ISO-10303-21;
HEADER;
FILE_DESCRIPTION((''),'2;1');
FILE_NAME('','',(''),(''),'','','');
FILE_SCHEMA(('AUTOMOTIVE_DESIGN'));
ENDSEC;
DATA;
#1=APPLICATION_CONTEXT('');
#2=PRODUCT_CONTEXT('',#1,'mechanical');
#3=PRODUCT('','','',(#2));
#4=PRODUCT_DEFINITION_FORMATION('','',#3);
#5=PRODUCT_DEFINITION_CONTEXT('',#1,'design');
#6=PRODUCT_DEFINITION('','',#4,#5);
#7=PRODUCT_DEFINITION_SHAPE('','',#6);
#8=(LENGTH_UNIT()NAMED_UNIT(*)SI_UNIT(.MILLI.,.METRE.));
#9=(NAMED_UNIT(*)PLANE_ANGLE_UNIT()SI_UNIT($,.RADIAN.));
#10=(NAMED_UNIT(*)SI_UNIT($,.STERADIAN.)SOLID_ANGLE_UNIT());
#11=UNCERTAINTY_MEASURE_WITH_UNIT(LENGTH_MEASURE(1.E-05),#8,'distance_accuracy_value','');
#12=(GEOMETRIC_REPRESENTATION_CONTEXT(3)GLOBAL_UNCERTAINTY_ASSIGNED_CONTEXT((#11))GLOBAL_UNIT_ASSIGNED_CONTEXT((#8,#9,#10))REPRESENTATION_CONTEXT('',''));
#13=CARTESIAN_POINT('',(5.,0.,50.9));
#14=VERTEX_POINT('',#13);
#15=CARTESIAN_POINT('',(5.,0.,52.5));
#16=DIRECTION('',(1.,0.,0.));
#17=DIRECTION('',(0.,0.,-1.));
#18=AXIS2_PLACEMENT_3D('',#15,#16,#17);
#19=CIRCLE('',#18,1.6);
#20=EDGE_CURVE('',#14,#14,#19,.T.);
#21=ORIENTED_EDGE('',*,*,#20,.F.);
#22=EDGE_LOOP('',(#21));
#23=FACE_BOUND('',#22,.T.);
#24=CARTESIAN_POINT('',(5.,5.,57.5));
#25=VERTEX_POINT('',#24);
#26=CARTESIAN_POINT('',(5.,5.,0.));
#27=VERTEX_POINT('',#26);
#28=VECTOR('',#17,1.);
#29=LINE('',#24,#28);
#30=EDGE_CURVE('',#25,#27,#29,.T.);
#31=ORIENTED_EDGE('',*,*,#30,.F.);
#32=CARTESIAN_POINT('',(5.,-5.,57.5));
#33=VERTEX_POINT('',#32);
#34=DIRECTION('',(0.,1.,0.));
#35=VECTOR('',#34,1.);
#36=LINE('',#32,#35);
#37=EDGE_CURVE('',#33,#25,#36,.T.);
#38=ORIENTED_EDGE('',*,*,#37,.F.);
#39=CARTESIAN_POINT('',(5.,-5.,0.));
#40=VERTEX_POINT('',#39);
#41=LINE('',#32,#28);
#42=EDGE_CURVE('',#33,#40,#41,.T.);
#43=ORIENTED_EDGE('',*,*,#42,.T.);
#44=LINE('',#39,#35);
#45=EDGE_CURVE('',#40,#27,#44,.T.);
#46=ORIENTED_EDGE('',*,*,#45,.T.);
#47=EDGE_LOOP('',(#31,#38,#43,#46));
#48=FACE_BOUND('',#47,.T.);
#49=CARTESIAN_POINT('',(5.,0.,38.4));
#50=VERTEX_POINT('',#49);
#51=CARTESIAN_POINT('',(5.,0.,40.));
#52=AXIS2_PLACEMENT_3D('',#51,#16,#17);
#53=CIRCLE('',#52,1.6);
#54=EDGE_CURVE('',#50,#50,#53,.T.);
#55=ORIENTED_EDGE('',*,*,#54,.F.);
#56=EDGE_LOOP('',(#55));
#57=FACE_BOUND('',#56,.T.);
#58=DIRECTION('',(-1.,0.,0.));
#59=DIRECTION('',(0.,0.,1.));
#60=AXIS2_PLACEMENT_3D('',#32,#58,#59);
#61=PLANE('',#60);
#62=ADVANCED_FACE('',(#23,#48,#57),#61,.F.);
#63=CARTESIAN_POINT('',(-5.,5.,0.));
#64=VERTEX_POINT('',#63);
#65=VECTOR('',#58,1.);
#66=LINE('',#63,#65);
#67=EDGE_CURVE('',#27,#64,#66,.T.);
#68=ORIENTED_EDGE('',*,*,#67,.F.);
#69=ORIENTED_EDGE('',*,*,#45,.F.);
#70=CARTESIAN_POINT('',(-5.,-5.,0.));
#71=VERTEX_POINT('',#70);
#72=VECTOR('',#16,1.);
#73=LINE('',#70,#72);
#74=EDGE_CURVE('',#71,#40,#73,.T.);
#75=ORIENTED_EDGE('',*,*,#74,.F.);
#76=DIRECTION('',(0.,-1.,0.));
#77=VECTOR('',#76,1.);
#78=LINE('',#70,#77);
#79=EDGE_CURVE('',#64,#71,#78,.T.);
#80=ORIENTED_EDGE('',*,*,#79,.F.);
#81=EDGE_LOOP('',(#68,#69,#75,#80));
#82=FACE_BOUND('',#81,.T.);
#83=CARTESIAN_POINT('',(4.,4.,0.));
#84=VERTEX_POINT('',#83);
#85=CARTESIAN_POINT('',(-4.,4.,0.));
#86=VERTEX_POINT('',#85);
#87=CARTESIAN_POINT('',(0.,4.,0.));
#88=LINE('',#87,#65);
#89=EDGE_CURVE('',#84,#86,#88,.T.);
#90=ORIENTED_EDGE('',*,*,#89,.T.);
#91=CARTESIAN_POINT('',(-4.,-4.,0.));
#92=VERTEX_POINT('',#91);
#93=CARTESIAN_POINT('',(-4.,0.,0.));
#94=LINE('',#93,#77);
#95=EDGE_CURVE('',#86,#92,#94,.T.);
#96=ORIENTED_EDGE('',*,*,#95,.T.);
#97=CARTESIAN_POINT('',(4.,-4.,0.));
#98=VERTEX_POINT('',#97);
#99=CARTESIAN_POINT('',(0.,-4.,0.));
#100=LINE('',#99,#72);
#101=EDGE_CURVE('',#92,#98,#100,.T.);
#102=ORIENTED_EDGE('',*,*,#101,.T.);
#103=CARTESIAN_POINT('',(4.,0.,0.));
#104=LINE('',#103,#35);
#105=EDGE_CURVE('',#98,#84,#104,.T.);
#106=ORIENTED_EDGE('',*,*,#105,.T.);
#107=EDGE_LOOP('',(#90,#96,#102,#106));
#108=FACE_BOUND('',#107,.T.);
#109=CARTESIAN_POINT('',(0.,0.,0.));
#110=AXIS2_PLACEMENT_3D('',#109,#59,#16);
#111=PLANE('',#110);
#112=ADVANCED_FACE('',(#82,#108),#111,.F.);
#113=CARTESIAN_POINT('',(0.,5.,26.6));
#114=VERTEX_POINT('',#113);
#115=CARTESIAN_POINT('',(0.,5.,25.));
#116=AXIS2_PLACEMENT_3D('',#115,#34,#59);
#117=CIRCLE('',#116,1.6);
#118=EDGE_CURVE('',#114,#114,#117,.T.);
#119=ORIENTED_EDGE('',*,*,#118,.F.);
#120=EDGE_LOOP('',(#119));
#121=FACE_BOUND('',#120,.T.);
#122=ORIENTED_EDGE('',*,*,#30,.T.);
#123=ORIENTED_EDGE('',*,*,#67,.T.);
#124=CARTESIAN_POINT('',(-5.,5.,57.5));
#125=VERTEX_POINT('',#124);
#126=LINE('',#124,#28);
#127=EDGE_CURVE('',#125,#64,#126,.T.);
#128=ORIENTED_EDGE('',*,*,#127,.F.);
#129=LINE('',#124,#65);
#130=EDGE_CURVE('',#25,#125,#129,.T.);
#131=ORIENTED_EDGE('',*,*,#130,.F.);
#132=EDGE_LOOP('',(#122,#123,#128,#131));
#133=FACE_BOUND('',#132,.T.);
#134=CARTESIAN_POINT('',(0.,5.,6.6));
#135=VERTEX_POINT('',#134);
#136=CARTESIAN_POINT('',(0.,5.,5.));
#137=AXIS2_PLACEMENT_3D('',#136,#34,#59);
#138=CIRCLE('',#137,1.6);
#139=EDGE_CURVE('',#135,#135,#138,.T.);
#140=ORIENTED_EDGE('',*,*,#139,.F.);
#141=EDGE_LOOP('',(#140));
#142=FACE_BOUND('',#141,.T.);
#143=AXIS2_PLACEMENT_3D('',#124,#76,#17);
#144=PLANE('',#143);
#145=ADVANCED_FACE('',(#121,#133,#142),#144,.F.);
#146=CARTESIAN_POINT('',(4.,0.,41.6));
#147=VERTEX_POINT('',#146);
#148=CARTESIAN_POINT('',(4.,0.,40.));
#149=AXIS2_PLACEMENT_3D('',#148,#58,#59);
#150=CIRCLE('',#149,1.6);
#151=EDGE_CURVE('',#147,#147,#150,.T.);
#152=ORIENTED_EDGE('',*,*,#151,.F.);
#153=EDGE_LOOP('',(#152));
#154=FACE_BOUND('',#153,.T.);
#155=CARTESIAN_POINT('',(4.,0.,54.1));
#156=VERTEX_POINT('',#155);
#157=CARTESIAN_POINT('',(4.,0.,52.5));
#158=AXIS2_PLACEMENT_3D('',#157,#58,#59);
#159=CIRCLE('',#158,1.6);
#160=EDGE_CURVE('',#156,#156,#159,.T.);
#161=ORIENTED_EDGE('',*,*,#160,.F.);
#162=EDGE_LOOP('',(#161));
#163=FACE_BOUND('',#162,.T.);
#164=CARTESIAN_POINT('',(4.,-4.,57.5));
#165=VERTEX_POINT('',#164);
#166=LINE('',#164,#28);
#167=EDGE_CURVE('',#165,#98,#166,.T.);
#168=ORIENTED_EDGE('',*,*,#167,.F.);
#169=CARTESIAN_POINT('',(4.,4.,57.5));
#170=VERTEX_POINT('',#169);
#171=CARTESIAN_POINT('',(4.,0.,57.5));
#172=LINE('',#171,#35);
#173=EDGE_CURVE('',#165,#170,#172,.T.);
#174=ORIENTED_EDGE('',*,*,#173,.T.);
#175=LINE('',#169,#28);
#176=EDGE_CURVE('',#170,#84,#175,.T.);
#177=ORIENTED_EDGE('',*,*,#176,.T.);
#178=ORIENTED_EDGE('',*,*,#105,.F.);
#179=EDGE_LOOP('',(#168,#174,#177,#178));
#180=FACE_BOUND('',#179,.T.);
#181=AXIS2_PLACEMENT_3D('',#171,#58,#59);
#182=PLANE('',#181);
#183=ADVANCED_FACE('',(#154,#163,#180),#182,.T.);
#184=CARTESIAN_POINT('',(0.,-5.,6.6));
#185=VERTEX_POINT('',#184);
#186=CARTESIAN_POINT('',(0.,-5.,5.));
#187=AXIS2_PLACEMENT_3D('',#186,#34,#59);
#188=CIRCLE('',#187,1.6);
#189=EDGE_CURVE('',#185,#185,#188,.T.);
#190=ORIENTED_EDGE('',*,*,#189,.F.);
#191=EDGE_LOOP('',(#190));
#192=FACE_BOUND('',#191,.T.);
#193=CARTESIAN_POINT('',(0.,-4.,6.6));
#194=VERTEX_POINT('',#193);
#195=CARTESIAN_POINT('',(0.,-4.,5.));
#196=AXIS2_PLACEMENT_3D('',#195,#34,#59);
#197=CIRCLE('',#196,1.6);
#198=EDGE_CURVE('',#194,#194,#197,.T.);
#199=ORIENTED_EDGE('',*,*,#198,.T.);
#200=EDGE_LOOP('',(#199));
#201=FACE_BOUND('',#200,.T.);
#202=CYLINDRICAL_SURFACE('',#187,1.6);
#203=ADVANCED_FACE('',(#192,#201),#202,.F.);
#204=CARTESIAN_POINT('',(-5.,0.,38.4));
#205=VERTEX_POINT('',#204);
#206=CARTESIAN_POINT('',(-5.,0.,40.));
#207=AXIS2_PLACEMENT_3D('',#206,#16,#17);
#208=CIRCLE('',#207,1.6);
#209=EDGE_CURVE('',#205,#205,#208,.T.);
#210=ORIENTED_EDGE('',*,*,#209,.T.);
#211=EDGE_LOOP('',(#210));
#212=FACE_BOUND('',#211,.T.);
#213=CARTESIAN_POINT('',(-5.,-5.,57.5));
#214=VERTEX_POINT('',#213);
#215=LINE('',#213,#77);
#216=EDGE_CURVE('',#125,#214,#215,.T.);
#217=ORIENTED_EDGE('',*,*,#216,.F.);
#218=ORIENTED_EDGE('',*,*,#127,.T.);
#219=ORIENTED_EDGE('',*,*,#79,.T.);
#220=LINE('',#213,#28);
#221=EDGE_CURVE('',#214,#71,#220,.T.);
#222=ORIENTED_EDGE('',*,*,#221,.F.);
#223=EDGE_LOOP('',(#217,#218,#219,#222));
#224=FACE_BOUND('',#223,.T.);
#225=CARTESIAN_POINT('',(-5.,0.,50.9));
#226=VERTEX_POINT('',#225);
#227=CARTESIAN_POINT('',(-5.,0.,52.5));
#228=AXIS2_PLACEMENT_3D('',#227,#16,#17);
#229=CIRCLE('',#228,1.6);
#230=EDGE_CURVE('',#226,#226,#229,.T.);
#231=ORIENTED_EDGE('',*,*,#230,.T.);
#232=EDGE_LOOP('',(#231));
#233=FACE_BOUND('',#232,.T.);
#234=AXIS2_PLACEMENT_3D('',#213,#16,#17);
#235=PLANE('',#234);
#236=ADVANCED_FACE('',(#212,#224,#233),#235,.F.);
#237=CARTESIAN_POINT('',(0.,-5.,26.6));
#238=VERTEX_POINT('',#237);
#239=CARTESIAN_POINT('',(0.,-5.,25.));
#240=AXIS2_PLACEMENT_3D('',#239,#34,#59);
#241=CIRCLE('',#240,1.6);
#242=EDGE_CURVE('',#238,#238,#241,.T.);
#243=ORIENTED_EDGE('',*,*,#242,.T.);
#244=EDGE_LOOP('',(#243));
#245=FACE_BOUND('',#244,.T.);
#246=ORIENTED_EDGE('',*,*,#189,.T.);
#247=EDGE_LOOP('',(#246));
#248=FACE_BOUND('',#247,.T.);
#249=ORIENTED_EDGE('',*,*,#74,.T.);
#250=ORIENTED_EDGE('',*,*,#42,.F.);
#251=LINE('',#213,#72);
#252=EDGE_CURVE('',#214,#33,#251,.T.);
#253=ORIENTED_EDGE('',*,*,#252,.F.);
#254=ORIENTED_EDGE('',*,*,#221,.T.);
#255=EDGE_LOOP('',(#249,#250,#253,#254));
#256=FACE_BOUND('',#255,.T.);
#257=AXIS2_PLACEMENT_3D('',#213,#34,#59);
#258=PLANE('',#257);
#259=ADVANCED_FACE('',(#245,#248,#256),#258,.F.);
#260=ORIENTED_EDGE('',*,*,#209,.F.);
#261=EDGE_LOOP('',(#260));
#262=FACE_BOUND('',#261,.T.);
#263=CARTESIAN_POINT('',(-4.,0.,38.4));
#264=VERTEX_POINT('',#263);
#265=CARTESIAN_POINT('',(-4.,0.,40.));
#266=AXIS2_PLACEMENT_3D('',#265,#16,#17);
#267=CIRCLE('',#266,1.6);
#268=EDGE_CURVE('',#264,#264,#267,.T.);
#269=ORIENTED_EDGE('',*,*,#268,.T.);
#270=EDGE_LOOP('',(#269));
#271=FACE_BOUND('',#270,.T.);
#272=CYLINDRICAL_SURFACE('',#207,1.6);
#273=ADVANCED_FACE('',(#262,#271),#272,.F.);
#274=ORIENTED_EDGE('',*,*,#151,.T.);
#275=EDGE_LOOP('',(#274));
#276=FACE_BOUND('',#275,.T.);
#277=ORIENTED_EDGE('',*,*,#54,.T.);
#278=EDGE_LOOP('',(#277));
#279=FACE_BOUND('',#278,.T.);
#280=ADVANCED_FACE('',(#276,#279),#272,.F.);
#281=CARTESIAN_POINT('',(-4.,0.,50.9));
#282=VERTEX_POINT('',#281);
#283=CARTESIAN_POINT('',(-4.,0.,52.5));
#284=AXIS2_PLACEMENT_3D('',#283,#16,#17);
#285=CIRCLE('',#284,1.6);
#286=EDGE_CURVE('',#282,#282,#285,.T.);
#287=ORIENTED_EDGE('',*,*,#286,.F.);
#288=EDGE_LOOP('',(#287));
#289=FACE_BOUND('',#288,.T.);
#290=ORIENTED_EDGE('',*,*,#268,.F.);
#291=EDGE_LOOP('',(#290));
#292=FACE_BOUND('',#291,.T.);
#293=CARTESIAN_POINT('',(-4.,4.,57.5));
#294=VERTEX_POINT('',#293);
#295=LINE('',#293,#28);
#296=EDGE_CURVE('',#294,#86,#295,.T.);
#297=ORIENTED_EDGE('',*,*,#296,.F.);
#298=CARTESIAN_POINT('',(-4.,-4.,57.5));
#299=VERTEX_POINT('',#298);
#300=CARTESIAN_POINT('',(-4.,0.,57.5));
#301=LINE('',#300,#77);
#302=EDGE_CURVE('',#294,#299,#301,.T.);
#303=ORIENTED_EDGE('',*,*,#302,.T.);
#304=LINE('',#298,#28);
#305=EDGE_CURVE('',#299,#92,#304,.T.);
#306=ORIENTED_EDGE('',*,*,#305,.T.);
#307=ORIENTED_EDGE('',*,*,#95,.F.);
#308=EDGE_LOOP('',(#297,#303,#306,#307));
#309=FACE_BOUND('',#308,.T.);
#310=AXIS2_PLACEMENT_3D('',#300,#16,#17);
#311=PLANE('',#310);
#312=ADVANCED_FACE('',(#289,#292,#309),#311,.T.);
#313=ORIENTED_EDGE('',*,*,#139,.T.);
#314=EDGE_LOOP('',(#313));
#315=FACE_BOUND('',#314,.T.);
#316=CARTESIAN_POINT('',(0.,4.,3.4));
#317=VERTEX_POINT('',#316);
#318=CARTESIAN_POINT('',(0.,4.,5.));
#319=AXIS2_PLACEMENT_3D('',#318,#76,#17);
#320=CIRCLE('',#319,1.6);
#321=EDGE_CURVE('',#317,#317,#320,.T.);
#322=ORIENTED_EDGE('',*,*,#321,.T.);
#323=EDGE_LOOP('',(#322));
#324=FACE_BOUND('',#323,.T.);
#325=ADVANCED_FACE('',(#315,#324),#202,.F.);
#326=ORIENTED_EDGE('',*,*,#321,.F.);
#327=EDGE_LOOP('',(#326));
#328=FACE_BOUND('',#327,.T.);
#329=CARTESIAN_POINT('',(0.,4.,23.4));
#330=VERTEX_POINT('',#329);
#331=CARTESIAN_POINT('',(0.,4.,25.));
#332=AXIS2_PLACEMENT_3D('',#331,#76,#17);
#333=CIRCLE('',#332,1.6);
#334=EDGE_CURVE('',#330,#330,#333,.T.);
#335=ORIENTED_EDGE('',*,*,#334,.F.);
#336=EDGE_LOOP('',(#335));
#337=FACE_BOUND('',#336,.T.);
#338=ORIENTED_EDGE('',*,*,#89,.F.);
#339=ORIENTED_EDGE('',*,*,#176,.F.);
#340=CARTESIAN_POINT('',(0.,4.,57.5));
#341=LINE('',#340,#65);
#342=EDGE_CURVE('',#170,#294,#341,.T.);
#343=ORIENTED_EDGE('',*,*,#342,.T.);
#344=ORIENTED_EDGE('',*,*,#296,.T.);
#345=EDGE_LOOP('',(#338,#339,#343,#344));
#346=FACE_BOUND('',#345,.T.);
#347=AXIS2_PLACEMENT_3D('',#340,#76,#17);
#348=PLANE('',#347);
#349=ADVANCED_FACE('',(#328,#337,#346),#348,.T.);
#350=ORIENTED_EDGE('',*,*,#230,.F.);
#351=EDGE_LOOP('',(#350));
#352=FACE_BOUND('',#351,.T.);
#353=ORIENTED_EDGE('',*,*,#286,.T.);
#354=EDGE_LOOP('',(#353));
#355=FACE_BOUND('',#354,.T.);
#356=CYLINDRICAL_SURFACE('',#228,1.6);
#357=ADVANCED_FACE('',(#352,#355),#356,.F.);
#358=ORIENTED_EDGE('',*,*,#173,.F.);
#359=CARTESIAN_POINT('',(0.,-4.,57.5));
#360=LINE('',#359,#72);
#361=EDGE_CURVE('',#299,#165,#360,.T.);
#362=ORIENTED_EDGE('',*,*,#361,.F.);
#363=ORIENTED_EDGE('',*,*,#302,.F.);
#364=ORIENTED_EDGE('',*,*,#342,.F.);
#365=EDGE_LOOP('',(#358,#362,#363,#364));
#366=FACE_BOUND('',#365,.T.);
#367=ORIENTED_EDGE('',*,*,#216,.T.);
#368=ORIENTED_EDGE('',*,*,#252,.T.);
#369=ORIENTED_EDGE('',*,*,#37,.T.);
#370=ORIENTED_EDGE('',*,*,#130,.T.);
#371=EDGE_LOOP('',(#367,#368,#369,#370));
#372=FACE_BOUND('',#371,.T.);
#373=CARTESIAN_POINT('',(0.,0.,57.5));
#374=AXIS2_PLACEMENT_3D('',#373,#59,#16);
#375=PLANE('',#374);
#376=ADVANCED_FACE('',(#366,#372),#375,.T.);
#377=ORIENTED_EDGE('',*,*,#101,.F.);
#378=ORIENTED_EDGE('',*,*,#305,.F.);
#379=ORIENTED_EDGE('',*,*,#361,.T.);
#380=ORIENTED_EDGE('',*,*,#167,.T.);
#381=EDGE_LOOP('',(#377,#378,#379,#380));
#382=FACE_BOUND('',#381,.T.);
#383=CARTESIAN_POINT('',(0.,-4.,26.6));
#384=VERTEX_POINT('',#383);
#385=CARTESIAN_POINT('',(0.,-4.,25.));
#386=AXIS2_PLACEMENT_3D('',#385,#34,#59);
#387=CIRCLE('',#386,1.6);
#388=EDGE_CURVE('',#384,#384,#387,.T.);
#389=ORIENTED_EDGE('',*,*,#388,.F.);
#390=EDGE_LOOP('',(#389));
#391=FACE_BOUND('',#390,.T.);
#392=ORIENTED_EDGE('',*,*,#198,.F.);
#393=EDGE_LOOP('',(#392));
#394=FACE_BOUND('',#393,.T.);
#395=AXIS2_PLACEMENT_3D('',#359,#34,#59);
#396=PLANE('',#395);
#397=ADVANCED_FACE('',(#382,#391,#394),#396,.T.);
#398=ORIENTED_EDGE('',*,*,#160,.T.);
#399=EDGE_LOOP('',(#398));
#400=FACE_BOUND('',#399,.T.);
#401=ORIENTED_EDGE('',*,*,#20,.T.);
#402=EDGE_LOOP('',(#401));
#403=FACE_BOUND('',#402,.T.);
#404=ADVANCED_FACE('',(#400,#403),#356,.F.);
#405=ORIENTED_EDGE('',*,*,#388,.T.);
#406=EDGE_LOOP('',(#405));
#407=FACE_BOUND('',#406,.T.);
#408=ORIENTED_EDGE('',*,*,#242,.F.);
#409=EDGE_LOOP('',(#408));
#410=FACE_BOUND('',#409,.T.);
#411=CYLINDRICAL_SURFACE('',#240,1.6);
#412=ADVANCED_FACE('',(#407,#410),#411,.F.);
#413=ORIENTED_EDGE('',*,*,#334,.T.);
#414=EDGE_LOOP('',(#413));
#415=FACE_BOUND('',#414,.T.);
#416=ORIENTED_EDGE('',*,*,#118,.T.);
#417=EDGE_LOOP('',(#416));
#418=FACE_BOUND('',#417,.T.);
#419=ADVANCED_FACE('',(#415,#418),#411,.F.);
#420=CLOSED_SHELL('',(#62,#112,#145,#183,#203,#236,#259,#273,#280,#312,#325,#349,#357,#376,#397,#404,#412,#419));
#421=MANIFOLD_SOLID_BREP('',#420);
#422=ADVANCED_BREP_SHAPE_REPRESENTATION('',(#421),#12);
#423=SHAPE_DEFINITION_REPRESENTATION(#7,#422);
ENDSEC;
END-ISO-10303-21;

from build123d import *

# Parameters (mm, degrees)
SKETCH_1_W          = 10
SKETCH_1_H          = 10
SKETCH_1_W_2        = 8
SKETCH_1_H_2        = 8
EXTRUDE_1_DEPTH     = 57.5
SKETCH_2_R          = 1.6
CUT_EXTRUDE_1_DEPTH = 59.576872569
CUT_EXTRUDE_2_DEPTH = 10


with BuildPart() as part:
    # ｽｹｯﾁ1 → 押し出し-薄板1 (new body)
    with BuildSketch(Plane.XY):
        Rectangle(SKETCH_1_W, SKETCH_1_H)
        Rectangle(SKETCH_1_W_2, SKETCH_1_H_2, mode=Mode.SUBTRACT)
    extrude(amount=EXTRUDE_1_DEPTH)

    # ｽｹｯﾁ2 → ｶｯﾄ - 押し出し1 (cut, through all)
    with BuildSketch(Plane(origin=(0, 5, 0), x_dir=(1, 0, 0), z_dir=(0, 1, 0))):
        with Locations(Location((0, -5, 0), (0, 0, 270))):
            Circle(SKETCH_2_R)
        with Locations(Location((0, -25, 0), (0, 0, 270))):
            Circle(SKETCH_2_R)
    extrude(amount=-CUT_EXTRUDE_1_DEPTH, mode=Mode.SUBTRACT)

    # ｽｹｯﾁ4 → ｶｯﾄ - 押し出し2 (cut)
    with BuildSketch(Plane(origin=(5, 0, 0), x_dir=(0, 0, -1), z_dir=(1, 0, 0))):
        with BuildLine():
            ThreePointArc((-38.4, 0), (-40, 1.6), (-41.6, 0))
            Line((-41.6, 0), (-38.4, 0))
        make_face()
        with BuildLine():
            Line((-38.4, 0), (-41.6, 0))
            ThreePointArc((-41.6, 0), (-40, -1.6), (-38.4, 0))
        make_face()
        with BuildLine():
            ThreePointArc((-50.9, 0), (-52.5, 1.6), (-54.1, 0))
            Line((-54.1, 0), (-50.9, 0))
        make_face()
        with BuildLine():
            Line((-50.9, 0), (-54.1, 0))
            ThreePointArc((-54.1, 0), (-52.5, -1.6), (-50.9, 0))
        make_face()
    extrude(amount=-CUT_EXTRUDE_2_DEPTH, mode=Mode.SUBTRACT)


solid = part.part
